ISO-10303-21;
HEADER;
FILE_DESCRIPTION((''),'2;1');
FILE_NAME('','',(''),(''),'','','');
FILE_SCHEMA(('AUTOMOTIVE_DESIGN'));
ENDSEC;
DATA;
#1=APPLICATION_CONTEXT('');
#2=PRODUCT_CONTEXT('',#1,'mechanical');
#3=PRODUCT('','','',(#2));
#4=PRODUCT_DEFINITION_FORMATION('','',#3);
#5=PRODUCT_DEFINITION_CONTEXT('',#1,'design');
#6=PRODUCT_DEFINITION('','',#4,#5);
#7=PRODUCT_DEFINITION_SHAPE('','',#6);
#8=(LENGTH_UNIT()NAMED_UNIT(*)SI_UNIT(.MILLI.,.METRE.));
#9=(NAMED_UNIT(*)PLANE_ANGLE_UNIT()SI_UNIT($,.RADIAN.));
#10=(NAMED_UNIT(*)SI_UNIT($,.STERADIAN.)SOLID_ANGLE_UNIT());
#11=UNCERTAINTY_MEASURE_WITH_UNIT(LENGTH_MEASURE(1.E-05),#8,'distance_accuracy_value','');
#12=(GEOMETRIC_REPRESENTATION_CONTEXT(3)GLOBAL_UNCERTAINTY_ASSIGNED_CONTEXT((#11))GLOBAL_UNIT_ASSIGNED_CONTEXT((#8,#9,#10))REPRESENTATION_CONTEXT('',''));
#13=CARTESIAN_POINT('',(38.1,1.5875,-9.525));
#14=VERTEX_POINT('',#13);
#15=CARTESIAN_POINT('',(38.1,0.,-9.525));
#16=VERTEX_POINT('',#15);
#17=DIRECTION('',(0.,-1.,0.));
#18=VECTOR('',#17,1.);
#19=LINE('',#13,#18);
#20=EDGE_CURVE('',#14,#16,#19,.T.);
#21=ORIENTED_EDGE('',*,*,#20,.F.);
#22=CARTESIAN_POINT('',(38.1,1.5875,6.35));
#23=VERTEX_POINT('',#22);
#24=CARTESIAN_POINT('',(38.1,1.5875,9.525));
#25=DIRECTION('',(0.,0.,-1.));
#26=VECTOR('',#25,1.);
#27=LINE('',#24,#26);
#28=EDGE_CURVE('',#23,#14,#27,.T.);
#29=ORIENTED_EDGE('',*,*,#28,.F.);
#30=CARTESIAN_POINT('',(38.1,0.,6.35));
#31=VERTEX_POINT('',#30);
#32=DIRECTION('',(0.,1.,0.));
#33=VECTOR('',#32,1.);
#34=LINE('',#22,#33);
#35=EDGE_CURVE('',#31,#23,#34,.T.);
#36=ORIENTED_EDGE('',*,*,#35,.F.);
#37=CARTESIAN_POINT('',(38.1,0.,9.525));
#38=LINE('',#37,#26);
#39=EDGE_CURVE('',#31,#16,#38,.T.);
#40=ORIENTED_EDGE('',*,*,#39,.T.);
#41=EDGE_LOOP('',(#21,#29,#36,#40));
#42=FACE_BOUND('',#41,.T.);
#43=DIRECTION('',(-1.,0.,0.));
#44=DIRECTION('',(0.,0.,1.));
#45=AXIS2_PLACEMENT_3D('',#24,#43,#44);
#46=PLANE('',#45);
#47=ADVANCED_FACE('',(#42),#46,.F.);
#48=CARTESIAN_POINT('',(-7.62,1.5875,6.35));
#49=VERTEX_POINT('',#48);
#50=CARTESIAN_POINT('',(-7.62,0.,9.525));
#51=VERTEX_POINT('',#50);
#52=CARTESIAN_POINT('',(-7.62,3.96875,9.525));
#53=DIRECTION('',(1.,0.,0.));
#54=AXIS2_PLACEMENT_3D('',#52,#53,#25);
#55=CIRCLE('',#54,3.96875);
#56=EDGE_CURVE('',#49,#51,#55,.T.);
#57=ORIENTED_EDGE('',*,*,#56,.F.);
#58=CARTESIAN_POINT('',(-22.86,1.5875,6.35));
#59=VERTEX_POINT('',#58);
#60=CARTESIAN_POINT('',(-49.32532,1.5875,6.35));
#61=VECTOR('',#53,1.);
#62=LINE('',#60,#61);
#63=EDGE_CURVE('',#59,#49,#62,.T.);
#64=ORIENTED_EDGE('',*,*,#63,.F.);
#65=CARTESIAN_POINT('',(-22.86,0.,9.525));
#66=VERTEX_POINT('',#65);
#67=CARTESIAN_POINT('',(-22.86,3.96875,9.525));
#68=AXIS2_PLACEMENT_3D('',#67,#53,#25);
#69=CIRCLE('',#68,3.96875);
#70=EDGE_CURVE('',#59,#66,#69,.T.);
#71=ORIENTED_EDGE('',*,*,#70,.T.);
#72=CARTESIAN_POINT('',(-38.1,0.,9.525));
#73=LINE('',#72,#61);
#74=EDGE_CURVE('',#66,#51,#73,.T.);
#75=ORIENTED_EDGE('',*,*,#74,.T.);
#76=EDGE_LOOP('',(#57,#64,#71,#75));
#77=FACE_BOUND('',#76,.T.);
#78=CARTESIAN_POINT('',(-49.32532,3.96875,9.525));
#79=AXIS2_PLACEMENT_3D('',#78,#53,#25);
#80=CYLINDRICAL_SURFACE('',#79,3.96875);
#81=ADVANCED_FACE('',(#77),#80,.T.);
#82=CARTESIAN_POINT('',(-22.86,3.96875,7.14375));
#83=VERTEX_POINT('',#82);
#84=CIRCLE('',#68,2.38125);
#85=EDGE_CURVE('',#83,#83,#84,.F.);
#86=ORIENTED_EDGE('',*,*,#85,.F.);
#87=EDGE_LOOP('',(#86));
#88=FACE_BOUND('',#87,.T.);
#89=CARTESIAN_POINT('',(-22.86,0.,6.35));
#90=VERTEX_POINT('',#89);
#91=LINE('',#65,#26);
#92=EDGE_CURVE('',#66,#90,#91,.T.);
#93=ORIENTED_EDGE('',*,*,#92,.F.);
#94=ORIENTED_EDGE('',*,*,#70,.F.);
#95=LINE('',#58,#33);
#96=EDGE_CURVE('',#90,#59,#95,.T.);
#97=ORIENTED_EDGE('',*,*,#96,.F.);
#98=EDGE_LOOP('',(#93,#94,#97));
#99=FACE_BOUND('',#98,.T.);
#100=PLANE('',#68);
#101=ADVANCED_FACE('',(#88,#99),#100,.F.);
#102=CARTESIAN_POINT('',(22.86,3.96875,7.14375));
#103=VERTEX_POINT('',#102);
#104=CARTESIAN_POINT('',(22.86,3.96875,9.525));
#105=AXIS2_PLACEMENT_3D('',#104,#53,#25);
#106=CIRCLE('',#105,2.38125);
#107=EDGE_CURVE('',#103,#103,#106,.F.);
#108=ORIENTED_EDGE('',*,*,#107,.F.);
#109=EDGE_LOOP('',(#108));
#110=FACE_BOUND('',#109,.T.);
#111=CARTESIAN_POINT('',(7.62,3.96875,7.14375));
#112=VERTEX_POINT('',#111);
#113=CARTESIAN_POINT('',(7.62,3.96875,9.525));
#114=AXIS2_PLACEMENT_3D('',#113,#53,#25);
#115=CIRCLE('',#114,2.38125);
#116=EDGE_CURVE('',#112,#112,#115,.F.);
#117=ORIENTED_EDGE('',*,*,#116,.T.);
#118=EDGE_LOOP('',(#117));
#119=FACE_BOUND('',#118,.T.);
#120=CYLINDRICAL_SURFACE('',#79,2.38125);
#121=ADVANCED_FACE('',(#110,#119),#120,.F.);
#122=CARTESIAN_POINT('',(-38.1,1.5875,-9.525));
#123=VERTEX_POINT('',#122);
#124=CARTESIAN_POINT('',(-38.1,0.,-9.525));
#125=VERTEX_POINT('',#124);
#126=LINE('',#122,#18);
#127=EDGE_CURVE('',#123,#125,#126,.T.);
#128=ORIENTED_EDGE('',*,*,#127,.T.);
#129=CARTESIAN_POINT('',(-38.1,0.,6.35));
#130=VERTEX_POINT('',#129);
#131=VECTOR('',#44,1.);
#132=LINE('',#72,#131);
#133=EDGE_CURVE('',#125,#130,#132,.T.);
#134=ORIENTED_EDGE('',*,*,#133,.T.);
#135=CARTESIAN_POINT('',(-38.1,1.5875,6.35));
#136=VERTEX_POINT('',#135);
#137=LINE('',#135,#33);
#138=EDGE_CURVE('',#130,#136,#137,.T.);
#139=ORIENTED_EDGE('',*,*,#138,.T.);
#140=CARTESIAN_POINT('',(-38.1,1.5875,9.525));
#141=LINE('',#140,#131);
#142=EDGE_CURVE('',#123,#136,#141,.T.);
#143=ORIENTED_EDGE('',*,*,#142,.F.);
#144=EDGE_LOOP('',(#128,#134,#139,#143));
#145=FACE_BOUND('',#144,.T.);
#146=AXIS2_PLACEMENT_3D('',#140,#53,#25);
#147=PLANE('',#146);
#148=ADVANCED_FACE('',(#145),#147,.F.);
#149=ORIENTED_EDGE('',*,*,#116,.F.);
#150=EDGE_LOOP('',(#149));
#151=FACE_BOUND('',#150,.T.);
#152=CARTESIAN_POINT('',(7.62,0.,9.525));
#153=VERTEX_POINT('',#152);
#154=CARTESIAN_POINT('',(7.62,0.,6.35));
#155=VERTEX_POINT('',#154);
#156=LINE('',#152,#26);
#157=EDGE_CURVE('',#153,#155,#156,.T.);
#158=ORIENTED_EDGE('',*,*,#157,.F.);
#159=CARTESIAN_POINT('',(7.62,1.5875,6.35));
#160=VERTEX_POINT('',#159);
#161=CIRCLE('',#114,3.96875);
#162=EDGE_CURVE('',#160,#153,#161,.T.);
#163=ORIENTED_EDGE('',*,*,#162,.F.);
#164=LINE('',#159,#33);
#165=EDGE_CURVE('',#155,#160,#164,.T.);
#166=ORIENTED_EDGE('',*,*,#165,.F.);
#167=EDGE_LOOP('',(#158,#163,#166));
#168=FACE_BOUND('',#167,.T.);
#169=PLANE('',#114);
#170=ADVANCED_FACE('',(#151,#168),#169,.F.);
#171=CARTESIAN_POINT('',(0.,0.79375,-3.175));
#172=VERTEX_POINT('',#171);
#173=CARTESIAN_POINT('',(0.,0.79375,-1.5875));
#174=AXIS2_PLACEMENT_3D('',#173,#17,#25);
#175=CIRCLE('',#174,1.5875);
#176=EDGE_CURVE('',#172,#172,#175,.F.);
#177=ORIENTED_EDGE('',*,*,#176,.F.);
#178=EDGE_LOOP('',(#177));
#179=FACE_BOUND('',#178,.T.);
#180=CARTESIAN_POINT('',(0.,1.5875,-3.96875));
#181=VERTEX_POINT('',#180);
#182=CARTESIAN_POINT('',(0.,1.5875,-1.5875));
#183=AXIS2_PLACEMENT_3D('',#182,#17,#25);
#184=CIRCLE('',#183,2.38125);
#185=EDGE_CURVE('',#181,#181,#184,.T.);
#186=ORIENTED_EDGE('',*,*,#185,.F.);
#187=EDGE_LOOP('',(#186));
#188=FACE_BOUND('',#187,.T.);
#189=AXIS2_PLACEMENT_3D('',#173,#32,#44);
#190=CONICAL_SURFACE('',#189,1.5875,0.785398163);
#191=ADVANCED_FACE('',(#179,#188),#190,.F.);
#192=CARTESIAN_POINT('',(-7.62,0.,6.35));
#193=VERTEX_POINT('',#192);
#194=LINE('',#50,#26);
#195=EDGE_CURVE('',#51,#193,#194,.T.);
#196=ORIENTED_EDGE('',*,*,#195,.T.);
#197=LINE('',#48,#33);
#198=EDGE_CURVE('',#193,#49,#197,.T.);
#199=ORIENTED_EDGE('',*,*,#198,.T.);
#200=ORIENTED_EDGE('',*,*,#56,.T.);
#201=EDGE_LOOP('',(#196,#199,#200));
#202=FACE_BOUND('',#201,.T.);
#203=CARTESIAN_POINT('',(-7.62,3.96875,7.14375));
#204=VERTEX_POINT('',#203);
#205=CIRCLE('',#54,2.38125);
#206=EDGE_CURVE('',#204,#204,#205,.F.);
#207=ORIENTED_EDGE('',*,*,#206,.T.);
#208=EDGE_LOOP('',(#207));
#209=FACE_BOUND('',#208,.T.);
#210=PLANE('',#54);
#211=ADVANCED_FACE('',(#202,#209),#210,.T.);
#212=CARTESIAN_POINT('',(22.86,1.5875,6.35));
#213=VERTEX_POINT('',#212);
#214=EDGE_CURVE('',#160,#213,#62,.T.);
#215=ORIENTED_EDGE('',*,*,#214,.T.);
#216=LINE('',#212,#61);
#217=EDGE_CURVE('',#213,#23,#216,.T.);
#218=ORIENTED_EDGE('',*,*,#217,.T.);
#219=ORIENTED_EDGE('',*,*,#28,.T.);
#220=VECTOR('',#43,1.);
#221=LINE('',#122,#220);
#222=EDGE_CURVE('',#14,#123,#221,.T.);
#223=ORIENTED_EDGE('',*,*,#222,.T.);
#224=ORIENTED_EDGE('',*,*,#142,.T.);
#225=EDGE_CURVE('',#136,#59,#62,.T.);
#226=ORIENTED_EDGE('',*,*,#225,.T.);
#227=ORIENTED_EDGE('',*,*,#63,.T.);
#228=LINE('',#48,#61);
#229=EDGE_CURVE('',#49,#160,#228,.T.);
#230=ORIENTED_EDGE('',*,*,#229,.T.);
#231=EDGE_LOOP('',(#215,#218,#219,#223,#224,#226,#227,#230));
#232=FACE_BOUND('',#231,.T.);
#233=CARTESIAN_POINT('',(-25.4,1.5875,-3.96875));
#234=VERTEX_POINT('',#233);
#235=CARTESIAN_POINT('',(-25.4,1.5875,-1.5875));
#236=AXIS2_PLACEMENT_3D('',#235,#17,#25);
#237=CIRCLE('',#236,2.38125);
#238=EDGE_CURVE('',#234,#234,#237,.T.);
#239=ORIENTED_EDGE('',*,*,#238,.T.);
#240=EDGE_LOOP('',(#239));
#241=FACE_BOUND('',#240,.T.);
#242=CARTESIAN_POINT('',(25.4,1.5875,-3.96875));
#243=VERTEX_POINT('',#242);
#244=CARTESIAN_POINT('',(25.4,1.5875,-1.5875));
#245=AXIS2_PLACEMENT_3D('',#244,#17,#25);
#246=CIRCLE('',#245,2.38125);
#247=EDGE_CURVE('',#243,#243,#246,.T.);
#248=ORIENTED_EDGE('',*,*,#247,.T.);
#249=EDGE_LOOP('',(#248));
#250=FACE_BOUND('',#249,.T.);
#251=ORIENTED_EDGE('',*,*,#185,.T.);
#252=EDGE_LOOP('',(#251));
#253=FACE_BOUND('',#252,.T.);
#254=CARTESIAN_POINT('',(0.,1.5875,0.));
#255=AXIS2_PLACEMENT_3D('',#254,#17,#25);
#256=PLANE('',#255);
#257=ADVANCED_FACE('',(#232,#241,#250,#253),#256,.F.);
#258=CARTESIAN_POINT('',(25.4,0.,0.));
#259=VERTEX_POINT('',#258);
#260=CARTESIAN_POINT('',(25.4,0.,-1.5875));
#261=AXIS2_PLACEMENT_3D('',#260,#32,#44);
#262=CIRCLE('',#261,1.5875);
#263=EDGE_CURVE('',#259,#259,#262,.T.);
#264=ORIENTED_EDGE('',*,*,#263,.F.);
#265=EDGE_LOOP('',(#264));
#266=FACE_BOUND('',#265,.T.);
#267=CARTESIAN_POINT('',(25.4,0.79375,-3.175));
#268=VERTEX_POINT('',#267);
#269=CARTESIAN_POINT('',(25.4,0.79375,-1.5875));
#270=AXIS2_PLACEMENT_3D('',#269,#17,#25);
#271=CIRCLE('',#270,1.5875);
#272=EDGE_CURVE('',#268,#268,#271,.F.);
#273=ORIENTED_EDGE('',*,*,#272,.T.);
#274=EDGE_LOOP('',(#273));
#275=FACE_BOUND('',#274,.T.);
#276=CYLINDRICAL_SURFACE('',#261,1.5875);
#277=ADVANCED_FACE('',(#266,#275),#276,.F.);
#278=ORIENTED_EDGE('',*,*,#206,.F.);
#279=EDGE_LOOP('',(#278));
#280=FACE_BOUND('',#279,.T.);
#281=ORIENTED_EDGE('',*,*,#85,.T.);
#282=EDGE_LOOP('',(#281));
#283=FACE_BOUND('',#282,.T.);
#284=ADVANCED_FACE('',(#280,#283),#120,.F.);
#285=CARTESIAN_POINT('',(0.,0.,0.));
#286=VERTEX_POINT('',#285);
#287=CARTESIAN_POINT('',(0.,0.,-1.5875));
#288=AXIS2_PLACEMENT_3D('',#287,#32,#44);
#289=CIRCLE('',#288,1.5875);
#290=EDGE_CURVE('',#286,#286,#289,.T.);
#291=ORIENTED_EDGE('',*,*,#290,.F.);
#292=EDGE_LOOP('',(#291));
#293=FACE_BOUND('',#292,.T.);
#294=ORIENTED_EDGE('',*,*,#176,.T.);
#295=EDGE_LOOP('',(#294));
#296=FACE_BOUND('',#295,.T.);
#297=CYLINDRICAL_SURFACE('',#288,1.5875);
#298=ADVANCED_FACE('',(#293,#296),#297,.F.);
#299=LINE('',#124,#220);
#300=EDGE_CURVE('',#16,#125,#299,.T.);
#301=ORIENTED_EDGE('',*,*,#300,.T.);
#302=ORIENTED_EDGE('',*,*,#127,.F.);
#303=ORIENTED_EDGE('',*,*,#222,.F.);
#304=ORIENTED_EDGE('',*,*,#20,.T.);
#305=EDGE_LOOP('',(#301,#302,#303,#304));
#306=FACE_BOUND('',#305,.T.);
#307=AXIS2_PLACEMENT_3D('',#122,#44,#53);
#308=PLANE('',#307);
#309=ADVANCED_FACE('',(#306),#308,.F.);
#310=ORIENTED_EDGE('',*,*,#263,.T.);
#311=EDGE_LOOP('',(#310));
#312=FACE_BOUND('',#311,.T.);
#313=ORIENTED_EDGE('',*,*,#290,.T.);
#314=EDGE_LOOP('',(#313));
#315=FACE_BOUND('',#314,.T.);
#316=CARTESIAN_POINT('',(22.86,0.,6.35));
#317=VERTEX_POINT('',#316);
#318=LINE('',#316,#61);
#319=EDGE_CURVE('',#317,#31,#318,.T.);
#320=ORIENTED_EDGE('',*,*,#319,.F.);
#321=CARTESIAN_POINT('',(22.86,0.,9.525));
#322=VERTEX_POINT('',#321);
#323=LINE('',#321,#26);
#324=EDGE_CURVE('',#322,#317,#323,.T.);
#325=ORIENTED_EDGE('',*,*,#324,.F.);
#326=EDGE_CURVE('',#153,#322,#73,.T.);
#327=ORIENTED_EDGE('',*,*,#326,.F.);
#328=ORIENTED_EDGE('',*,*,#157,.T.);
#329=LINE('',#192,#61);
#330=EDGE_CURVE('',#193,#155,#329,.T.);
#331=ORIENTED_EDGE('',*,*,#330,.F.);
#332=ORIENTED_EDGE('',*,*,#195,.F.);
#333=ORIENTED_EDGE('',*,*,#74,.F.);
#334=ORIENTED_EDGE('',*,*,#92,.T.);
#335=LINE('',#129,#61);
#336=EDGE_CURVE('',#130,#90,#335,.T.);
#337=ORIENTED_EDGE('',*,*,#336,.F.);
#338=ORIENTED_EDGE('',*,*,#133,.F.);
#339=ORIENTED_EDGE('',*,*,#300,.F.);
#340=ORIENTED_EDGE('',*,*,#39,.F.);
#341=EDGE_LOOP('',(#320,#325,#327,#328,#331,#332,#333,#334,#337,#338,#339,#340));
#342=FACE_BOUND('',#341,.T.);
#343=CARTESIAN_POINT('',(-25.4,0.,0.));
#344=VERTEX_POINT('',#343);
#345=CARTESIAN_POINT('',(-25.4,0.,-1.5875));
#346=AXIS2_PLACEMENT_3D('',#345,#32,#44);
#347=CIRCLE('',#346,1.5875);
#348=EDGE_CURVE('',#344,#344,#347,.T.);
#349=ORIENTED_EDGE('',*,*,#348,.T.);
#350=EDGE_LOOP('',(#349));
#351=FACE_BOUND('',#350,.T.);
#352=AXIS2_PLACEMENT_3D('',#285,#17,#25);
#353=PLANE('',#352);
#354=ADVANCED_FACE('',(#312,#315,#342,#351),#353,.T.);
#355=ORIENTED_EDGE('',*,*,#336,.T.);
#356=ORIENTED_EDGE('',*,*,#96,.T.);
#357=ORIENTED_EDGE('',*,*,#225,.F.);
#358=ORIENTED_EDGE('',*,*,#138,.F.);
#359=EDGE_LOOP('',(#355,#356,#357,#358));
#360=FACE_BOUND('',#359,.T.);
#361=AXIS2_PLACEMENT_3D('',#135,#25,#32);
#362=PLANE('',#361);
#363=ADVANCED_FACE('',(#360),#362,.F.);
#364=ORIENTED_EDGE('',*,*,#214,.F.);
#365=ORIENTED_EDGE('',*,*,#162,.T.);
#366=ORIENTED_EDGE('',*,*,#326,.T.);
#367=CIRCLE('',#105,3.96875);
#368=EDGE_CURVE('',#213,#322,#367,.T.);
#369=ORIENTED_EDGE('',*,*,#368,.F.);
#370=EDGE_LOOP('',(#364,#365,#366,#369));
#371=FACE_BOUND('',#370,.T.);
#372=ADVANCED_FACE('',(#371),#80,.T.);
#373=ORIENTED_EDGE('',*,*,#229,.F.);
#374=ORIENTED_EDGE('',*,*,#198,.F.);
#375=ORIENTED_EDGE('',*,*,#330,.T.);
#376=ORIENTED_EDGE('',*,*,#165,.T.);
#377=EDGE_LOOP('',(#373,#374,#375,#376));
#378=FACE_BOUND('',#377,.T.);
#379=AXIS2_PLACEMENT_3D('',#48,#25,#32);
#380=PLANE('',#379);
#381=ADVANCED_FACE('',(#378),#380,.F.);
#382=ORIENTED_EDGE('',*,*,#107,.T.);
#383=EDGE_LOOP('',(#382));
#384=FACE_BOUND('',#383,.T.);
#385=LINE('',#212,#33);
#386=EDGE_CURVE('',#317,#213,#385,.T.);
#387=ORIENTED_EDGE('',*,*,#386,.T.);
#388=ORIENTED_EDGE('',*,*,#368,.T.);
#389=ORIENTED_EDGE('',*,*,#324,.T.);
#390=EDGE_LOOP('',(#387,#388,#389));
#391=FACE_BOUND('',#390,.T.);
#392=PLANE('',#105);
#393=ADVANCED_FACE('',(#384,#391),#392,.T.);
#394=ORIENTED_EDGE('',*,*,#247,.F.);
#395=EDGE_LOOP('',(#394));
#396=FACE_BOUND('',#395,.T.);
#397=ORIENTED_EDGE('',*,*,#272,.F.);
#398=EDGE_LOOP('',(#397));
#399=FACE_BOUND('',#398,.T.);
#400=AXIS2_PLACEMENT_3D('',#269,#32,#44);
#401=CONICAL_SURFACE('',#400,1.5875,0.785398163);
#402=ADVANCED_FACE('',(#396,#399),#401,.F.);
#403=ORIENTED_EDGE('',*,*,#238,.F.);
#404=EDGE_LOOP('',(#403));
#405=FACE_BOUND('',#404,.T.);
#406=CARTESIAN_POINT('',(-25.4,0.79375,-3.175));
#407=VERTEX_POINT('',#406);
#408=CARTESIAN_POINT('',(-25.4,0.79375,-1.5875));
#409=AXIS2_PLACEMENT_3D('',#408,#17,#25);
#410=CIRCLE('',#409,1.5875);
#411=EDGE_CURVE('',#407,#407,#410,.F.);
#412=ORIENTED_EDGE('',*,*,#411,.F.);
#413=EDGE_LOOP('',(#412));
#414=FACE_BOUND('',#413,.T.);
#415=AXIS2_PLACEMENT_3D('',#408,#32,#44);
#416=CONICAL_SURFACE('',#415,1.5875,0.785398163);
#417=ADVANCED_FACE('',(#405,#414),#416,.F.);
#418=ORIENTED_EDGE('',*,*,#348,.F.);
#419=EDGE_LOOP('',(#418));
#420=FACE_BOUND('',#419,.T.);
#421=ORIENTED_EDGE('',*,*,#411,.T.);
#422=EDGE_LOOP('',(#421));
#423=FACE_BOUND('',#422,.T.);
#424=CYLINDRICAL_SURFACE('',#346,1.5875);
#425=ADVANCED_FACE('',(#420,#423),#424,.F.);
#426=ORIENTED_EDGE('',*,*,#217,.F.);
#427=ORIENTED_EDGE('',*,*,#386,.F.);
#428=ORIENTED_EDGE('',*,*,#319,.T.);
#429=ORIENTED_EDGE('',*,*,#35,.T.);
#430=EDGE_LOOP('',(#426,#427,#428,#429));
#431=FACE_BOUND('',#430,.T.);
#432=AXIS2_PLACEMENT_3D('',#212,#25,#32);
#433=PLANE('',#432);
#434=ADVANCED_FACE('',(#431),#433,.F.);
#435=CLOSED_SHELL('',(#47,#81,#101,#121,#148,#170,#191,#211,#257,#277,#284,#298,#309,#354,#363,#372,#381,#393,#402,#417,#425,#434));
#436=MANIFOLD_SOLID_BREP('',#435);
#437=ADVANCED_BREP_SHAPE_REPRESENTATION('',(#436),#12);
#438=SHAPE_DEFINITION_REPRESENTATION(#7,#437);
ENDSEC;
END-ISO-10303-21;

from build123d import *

# Parameters (mm, degrees)
SKETCH1_W                  = 76.2
SKETCH1_H                  = 19.05
BOSS_EXTRUDE1_DEPTH        = 1.5875
SKETCH2_R                  = 3.96875
SKETCH2_R_2                = 2.38125
BOSS_EXTRUDE2_DEPTH        = 76.2
SKETCH4_R                  = 1.5875
CUT_EXTRUDE1_DEPTH         = 41.914713601
CHAMFER1_SIZE              = 0.79375
LPATTERN1_COUNT            = 3
LPATTERN1_PITCH            = 25.4
CHAMFER1_OF_LPATTERN1_SIZE = 0.79375
CUT_EXTRUDE2_DEPTH         = 15.24
LPATTERN2_COUNT            = 5
LPATTERN2_PITCH            = 15.24


with BuildPart() as part:
    # Sketch1 → Boss-Extrude1 (new body)
    with BuildSketch(Plane(origin=(0, 0, 0), x_dir=(1, 0, 0), z_dir=(0, 1, 0))):
        Rectangle(SKETCH1_W, SKETCH1_H)
    extrude(amount=BOSS_EXTRUDE1_DEPTH)

    # Sketch2 → Boss-Extrude2 (add)
    with BuildSketch(Plane(origin=(38.1, 0, 0), x_dir=(0, 0, -1), z_dir=(1, 0, 0))):
        with Locations((-9.525, 3.96875)):
            Circle(SKETCH2_R)
        with Locations((-9.525, 3.96875)):
            Circle(SKETCH2_R_2, mode=Mode.SUBTRACT)
    extrude(amount=-BOSS_EXTRUDE2_DEPTH)

    # Sketch4 → Cut-Extrude1 (cut, through all)
    with BuildSketch(Plane(origin=(0, 1.5875, 0), x_dir=(1, 0, 0), z_dir=(0, 1, 0))):
        with Locations(Location((-25.4, 1.5875, 0), (0, 0, 270))):
            Circle(SKETCH4_R)
    cut_extrude1 = extrude(amount=-CUT_EXTRUDE1_DEPTH, mode=Mode.SUBTRACT)

    # Chamfer1
    chamfer1_edges = [part.edges().sort_by_distance(p)[0] for p in [
        (-25.4, 1.5875, -3.175),
    ]]
    chamfer(chamfer1_edges, length=CHAMFER1_SIZE)

    # LPattern1: Cut-Extrude1 ×3
    with Locations(*[(i * LPATTERN1_PITCH, 0, 0) for i in range(1, LPATTERN1_COUNT)]):
        add(cut_extrude1, mode=Mode.SUBTRACT)

    # Chamfer1 of LPattern1
    chamfer1_of_lpattern1_edges = [part.edges().sort_by_distance(p)[0] for p in [
        (0, 1.5875, -3.175),
        (25.4, 1.5875, -3.175),
    ]]
    chamfer(chamfer1_of_lpattern1_edges, length=CHAMFER1_OF_LPATTERN1_SIZE)

    # Sketch5 → Cut-Extrude2 (cut)
    with BuildSketch(Plane(origin=(38.1, 0, 0), x_dir=(0, 0, -1), z_dir=(1, 0, 0))):
        with BuildLine():
            Line((-6.35, 1.5875), (-6.35, 0))
            Line((-6.35, 0), (-9.525, 0))
            ThreePointArc((-9.525, 0), (-11.299878957, 7.518507914), (-6.35, 1.5875))
        make_face()
    cut_extrude2 = extrude(amount=-CUT_EXTRUDE2_DEPTH, mode=Mode.SUBTRACT)

    # LPattern2: Cut-Extrude2 ×5, 2 skipped
    with Locations(*[(-i * LPATTERN2_PITCH, 0, 0) for i in range(1, LPATTERN2_COUNT) if i not in (1, 3)]):
        add(cut_extrude2, mode=Mode.SUBTRACT)


solid = part.part
